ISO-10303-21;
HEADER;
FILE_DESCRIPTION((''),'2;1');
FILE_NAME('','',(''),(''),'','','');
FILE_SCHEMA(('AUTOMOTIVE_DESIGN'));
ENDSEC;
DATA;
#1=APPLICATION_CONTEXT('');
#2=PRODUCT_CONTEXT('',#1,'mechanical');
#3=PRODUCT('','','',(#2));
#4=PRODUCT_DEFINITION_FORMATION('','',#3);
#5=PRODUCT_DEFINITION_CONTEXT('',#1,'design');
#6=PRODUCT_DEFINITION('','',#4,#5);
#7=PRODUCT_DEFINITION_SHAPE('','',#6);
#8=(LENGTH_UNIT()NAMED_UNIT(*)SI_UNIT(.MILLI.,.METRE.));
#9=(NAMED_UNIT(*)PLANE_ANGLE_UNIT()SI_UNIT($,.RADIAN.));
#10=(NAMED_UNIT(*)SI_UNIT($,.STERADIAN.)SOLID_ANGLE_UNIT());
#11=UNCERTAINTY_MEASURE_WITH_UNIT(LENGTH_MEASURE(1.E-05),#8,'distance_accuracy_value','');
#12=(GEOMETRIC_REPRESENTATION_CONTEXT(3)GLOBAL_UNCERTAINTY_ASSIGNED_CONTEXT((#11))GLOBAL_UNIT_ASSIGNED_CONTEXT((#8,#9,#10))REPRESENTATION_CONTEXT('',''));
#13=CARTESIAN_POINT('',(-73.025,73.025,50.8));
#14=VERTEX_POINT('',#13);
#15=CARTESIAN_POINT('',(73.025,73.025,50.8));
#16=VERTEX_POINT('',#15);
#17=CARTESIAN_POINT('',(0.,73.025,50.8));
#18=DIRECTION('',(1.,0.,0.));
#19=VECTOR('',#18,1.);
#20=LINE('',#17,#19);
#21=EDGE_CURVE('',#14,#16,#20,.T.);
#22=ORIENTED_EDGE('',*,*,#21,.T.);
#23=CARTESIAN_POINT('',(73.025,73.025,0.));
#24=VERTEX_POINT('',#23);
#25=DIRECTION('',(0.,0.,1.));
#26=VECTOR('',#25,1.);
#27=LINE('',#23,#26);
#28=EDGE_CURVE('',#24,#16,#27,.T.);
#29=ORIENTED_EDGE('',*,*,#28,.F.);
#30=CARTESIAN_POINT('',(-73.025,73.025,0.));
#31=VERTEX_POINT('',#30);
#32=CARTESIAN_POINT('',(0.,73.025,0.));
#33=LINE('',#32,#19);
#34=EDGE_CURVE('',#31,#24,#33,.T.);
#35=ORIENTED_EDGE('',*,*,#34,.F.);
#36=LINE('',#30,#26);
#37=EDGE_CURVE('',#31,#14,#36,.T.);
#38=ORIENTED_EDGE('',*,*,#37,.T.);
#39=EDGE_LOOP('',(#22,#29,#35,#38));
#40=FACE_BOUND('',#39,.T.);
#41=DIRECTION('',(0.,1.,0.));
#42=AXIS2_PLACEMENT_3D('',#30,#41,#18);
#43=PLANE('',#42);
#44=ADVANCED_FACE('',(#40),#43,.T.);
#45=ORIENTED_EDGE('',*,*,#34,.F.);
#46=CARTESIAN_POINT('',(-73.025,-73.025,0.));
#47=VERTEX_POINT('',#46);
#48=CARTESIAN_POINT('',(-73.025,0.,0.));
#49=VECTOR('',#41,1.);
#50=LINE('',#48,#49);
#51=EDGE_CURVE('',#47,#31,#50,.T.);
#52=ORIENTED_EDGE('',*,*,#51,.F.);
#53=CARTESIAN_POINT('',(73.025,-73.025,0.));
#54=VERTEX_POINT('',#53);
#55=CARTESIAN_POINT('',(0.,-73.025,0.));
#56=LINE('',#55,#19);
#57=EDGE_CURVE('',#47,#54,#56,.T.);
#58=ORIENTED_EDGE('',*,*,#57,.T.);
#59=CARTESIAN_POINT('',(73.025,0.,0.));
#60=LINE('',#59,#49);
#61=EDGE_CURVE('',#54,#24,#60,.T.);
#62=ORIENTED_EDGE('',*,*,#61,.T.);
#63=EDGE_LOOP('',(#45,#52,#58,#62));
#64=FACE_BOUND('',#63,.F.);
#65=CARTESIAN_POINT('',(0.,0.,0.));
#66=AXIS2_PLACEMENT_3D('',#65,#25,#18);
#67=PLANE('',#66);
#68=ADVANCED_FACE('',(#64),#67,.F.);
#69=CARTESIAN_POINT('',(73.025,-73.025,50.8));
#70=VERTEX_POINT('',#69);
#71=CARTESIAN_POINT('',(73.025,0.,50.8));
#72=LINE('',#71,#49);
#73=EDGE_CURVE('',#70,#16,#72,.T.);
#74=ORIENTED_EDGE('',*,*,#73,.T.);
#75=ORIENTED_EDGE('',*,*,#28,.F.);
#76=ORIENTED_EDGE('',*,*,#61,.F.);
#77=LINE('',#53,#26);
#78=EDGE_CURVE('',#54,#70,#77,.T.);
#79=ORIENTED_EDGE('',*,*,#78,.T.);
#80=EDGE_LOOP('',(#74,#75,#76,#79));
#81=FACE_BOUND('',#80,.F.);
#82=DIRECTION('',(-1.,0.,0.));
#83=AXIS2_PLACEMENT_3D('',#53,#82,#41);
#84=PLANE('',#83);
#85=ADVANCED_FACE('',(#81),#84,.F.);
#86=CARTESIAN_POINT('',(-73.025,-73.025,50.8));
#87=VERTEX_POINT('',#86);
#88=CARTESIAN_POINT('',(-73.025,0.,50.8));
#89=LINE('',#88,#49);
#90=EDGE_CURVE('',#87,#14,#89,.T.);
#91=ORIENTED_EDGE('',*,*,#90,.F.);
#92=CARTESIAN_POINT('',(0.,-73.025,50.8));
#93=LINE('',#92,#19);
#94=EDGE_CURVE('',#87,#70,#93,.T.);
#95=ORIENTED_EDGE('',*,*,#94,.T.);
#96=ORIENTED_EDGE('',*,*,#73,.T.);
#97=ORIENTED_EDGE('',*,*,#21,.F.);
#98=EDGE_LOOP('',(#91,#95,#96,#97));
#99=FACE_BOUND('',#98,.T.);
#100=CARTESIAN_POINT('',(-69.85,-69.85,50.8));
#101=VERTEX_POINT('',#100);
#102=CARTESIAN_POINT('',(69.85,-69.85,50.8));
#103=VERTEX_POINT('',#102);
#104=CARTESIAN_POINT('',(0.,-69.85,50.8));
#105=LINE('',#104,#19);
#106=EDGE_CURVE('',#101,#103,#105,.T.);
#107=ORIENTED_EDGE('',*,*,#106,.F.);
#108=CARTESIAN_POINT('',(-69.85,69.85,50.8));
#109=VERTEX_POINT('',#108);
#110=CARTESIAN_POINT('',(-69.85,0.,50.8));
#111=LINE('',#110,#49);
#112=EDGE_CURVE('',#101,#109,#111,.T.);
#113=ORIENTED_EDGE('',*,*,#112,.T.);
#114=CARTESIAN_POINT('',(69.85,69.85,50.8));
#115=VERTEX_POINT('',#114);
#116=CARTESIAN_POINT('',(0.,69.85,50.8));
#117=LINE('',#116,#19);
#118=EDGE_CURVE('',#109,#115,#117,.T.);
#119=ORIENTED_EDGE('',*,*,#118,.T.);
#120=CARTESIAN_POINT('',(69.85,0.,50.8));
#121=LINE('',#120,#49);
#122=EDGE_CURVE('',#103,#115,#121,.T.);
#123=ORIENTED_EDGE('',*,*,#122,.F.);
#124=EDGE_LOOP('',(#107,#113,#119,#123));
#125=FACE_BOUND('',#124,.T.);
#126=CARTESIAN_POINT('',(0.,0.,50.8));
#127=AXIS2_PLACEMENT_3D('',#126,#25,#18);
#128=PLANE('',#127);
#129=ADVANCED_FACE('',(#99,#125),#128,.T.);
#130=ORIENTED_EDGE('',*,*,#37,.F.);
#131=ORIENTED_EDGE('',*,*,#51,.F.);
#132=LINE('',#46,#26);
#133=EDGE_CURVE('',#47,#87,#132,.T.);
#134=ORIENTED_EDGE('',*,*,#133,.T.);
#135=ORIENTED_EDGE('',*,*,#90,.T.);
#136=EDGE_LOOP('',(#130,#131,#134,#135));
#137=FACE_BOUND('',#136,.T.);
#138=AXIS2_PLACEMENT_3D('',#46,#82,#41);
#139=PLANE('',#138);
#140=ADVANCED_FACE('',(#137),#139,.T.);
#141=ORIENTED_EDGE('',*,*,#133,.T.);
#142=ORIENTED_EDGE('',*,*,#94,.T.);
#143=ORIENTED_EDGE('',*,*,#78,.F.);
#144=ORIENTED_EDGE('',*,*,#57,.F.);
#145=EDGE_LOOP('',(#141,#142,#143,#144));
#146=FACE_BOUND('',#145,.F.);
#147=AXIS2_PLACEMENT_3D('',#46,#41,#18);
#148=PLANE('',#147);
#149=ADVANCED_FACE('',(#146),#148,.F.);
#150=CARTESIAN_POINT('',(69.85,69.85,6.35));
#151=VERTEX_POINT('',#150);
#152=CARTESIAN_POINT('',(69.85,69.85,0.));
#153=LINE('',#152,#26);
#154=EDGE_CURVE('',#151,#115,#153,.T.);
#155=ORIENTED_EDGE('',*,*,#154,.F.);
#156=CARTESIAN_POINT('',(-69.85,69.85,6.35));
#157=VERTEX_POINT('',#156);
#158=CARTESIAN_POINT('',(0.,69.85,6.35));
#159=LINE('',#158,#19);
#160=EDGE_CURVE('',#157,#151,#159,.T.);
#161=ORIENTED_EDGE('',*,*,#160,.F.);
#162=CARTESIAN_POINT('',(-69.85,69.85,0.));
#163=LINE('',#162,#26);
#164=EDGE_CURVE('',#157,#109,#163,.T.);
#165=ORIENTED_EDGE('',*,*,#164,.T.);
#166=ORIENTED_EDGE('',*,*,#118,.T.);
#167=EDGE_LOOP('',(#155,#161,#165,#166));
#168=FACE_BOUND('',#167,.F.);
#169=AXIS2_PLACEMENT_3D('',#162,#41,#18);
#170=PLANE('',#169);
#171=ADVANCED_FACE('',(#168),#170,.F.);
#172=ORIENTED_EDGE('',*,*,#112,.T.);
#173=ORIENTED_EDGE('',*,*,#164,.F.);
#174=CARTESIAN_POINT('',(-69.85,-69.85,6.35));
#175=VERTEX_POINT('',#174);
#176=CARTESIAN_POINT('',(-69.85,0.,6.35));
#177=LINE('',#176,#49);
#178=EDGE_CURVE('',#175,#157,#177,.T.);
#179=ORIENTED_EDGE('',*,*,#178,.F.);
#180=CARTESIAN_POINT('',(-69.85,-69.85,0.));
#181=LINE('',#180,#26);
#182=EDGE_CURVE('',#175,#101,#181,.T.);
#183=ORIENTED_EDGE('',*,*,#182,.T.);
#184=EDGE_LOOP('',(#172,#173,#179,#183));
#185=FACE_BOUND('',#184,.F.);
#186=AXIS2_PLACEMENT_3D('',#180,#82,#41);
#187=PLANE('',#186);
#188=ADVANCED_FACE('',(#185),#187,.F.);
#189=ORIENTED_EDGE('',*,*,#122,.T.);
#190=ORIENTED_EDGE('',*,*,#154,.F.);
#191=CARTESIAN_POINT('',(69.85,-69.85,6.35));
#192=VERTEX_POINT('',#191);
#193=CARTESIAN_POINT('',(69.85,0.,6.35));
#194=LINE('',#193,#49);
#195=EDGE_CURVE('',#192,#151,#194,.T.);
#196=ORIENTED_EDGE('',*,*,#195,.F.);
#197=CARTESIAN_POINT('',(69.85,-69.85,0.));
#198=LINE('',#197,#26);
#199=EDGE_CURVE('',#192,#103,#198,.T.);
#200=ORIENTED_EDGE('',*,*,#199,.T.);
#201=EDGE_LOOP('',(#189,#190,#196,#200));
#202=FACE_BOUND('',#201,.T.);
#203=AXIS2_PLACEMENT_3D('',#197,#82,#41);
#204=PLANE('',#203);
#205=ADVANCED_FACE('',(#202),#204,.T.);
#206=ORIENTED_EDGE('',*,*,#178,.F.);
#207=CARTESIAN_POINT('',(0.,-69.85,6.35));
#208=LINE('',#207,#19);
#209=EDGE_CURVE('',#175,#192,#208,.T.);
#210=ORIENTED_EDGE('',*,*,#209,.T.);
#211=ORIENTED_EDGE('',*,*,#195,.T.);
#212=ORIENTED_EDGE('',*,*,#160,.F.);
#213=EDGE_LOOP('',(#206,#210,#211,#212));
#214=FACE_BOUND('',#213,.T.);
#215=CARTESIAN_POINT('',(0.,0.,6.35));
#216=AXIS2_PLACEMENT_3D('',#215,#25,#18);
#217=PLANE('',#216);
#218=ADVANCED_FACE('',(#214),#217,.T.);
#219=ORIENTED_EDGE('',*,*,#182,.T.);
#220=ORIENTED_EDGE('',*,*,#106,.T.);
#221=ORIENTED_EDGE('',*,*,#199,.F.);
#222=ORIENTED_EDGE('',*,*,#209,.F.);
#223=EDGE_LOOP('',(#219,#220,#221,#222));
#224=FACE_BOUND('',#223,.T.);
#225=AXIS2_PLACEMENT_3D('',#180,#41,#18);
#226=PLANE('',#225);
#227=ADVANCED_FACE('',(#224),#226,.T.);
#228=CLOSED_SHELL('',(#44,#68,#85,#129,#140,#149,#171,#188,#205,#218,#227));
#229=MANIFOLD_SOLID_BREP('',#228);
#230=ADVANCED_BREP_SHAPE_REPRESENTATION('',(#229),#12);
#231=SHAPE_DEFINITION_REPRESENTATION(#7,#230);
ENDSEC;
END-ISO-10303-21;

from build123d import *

# Parameters (mm, degrees)
F0_W     = 146.05
F0_H     = 146.05
F0_W_2   = 139.7
F0_H_2   = 139.7
F1_DEPTH = 50.8
F0_W_3   = 134.62
F0_H_3   = 134.62
F2_DEPTH = 6.35


with BuildPart() as f1:
    # F0 (on Top) → F1 (new body)
    with BuildSketch(Plane.XY):
        Rectangle(F0_W, F0_H)
        Rectangle(F0_W_2, F0_H_2, mode=Mode.SUBTRACT)
    extrude(amount=F1_DEPTH)

    # F0 (on Top) → F2 (join)
    with BuildSketch(Plane.XY):
        Rectangle(F0_W_2, F0_H_2)
        Rectangle(F0_W_3, F0_H_3, mode=Mode.SUBTRACT)
        Rectangle(F0_W_3, F0_H_3)
    extrude(amount=F2_DEPTH)


solid = f1.part
